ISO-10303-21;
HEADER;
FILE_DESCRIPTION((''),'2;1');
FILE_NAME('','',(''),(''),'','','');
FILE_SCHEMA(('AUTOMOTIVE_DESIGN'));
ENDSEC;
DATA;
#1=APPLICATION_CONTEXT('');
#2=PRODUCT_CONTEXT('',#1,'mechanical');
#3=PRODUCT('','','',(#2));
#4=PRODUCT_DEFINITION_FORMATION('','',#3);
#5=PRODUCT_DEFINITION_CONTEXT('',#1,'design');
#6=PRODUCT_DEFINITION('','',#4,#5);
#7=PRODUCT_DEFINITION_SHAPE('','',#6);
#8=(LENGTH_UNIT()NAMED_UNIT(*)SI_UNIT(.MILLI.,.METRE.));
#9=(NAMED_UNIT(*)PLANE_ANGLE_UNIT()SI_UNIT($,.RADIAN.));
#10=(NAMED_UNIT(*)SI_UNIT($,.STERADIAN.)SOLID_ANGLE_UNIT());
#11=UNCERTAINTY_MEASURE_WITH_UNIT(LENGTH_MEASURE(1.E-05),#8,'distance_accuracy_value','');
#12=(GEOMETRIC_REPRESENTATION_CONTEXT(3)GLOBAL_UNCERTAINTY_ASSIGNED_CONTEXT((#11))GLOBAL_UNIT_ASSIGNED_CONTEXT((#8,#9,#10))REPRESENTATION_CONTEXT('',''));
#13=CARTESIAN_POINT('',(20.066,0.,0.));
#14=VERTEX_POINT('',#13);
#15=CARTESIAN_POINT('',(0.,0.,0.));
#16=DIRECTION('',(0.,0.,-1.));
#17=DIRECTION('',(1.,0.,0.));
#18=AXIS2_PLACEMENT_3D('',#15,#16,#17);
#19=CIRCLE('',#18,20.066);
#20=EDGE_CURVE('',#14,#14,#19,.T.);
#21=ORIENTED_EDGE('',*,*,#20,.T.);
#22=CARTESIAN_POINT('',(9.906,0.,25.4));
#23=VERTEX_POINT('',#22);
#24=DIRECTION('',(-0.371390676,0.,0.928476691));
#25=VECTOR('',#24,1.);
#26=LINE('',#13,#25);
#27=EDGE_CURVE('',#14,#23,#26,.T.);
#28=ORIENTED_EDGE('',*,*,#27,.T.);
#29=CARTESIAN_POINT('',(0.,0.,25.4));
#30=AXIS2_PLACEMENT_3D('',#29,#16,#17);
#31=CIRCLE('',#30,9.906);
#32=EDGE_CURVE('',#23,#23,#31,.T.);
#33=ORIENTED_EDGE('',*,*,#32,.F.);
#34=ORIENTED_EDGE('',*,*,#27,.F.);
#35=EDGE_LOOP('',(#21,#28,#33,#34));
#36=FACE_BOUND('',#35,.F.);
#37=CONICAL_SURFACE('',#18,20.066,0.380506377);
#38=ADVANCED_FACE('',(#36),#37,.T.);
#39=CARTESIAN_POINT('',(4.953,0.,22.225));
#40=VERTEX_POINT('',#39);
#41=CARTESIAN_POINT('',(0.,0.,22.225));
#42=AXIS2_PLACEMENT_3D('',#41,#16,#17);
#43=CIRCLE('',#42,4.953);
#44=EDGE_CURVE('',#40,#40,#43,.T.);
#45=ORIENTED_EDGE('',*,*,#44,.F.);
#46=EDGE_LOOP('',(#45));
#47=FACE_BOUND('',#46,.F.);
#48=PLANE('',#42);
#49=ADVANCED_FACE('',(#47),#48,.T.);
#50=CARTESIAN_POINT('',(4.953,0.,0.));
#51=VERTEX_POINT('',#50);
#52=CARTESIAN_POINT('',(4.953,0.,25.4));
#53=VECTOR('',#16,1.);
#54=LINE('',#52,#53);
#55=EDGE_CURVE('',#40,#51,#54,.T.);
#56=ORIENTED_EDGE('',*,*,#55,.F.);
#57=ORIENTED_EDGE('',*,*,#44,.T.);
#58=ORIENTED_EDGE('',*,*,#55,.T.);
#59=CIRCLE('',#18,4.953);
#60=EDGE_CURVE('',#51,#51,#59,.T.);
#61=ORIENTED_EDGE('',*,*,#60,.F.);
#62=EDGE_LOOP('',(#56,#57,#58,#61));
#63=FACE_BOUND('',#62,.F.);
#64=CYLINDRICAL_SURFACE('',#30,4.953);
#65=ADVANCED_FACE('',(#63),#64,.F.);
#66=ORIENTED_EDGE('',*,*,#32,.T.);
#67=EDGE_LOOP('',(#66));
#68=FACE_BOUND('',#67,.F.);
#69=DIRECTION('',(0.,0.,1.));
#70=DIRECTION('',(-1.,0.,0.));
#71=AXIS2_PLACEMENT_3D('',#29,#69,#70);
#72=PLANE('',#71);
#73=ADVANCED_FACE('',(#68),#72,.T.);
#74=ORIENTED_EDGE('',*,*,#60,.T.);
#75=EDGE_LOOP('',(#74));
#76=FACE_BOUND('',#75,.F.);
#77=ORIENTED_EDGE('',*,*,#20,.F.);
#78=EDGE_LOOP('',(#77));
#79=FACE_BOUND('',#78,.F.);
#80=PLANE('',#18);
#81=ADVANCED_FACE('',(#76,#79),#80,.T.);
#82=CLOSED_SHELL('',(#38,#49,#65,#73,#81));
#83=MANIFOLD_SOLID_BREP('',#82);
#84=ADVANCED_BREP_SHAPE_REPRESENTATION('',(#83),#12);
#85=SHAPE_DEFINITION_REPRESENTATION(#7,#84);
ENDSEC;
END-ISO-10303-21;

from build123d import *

# Parameters (mm, degrees)
F0_W = 4.953
F0_H = 3.175


with BuildPart() as f1:
    # F0 (on Front) → F1 (revolve)
    with BuildSketch(Plane.XZ):
        Polygon((4.953, 22.225), (4.953, 0), (9.906, 0), (9.906, 25.4), (4.953, 25.4), align=None)
        Polygon((9.906, 25.4), (9.906, 0), (20.066, 0), align=None)
        with Locations((2.4765, 23.8125)):
            Rectangle(F0_W, F0_H)
    revolve(axis=Axis((0, 0, 12.7), (0, 0, -1)))


solid = f1.part
